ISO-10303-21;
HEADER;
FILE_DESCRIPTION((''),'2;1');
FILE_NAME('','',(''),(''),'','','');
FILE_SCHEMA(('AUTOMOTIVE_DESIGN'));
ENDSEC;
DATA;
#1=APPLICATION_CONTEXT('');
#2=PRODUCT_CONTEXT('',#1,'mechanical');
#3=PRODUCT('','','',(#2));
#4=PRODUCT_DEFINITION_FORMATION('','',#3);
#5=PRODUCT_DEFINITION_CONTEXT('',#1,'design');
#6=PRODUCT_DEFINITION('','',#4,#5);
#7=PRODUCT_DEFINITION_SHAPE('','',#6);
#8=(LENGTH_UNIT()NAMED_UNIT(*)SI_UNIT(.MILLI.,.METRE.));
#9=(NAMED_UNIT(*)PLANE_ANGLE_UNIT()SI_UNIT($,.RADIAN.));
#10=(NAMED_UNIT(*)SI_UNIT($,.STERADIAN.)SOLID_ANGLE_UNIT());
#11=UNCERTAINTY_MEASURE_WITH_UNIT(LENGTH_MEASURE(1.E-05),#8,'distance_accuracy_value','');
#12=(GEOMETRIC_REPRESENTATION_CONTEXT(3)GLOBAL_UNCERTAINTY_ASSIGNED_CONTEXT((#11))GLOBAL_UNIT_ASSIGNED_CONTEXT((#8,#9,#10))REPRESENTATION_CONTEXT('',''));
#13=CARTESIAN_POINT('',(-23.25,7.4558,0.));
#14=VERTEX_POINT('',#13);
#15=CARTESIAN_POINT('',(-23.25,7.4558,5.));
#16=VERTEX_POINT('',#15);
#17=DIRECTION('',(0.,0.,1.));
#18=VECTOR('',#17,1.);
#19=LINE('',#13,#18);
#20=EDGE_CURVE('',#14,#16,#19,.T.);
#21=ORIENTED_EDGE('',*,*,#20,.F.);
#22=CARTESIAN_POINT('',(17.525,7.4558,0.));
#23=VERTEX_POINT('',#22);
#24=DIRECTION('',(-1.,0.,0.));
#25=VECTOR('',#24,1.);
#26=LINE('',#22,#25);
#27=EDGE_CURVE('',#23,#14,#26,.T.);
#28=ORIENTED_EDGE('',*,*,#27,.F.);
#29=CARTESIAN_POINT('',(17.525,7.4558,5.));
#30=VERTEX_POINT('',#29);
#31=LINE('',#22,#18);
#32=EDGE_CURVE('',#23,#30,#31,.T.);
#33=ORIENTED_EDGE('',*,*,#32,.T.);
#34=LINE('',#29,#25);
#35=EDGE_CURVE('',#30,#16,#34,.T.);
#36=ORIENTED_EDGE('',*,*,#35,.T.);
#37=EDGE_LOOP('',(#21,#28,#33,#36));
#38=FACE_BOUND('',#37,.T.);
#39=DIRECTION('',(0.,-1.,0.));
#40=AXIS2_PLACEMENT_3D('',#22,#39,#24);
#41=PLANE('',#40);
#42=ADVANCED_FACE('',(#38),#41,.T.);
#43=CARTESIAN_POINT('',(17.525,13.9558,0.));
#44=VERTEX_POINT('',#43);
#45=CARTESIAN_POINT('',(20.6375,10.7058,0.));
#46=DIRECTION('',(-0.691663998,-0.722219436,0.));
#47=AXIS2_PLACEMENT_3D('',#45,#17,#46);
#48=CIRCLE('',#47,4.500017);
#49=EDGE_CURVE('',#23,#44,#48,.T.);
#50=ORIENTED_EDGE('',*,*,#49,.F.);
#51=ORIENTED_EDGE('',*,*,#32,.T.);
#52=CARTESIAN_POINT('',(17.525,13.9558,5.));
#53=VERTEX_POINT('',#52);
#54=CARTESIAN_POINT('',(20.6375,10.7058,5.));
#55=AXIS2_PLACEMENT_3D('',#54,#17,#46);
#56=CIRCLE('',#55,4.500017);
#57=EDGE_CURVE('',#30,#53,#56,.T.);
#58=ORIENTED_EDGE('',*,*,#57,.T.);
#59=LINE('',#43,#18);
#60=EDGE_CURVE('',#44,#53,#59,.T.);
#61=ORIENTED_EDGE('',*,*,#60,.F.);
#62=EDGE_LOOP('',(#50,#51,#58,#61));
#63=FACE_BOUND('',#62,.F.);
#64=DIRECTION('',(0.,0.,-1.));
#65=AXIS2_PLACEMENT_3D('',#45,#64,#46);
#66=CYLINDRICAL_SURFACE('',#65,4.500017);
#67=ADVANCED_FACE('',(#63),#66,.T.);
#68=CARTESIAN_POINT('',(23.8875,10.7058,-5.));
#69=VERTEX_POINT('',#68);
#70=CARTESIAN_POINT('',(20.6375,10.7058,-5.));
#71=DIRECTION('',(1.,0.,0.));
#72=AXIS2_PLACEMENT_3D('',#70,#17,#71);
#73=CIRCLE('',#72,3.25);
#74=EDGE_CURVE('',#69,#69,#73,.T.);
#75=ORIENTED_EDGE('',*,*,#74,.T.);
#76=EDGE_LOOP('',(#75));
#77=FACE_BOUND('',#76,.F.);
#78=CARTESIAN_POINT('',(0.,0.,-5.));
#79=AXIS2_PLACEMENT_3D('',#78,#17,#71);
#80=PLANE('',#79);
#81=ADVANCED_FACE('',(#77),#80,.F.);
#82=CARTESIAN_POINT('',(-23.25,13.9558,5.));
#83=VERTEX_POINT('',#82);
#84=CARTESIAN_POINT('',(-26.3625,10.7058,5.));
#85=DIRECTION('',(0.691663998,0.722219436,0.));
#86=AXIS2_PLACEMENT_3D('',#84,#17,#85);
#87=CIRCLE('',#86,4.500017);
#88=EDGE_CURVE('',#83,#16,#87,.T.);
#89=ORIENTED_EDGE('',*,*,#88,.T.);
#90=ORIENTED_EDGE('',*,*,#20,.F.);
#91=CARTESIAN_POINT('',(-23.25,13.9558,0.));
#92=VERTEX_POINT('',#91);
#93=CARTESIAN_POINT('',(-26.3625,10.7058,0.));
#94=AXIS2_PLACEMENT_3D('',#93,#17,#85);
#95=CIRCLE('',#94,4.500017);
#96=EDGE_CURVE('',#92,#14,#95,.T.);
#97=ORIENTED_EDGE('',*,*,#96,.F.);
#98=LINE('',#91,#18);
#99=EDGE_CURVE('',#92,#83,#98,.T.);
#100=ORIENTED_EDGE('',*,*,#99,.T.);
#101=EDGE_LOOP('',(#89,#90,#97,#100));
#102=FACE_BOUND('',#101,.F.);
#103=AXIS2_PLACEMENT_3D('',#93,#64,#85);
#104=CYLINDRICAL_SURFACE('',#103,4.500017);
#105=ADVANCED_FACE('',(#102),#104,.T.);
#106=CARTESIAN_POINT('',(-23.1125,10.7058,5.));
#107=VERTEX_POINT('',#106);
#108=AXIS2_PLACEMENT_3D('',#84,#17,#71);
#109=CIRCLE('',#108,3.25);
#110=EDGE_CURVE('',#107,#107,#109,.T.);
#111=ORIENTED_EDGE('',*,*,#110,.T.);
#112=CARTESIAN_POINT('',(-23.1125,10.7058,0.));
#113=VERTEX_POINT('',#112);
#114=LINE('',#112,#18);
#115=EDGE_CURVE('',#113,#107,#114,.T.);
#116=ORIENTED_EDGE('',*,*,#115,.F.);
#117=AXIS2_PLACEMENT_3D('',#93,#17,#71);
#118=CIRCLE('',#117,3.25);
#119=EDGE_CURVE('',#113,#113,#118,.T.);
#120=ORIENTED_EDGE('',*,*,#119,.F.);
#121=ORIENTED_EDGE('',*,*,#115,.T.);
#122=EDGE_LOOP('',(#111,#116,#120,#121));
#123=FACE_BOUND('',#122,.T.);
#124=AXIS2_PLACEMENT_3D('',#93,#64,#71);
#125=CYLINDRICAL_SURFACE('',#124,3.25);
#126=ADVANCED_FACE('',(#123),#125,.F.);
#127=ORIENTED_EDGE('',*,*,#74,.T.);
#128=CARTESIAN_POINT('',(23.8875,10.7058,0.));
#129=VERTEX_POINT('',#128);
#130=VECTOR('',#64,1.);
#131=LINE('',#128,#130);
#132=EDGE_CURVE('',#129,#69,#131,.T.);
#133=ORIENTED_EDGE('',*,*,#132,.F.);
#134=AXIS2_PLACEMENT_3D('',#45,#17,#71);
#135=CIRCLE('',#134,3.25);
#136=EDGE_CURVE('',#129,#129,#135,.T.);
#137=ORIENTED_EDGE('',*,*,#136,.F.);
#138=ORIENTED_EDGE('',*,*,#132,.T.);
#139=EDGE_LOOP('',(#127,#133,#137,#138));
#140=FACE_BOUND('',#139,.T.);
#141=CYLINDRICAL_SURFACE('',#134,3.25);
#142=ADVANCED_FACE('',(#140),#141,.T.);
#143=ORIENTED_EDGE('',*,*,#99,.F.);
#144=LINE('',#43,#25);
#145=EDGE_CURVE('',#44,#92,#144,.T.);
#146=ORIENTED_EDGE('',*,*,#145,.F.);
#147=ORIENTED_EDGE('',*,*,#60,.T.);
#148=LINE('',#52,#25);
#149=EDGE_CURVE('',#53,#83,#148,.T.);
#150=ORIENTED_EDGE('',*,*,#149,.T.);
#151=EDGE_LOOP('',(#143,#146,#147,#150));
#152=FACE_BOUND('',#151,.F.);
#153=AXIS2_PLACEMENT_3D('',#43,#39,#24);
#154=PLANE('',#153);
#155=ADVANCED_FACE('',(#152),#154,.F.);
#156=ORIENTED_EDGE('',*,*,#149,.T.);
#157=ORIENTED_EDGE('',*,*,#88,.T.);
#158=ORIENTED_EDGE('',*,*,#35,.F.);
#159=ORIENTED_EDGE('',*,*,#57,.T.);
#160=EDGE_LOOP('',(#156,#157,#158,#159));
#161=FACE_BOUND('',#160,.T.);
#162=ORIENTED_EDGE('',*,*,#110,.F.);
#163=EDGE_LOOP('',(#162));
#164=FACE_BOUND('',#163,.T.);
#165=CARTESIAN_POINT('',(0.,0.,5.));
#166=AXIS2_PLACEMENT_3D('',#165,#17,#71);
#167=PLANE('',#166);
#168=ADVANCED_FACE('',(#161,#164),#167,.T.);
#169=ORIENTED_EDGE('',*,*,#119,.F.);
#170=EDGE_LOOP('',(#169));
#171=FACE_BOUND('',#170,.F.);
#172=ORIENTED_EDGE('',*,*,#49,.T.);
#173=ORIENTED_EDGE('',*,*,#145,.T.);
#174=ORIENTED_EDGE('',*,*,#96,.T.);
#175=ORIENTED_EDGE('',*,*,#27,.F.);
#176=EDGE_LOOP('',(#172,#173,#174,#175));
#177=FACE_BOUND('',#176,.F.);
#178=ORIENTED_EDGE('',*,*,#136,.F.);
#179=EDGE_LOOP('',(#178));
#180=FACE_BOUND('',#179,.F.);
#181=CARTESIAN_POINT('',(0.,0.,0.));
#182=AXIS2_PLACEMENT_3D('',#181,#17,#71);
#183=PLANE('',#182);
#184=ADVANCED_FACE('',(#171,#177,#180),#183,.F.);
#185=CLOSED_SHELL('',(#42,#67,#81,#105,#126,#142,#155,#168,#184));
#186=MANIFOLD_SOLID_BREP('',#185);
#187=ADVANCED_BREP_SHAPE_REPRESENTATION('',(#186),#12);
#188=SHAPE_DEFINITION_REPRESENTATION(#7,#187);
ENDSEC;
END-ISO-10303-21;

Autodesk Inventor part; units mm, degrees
ref_plane "YZ Plane" through (0, 0, 0) normal (1, 0, 0) x (0, 1, 0)
ref_plane "XZ Plane" through (0, 0, 0) normal (0, 1, 0) x (-1, 0, 0)
ref_plane "XY Plane" through (0, 0, 0) normal (0, 0, 1) x (1, 0, 0)
sketch "Sketch2" plane through (0, 0, 0) normal (0, 0, 1) x (1, 0, 0)
  circle A0 centre (-26.3625, 10.7058) radius 3.25
  circle A1 centre (20.6375, 10.7058) radius 3.25
  arc A2 (17.525, 7.4558) -> (17.525, 13.9558) centre (20.6375, 10.7058) ccw
  line L0 (17.525, 13.9558) -> (-23.25, 13.9558)
  arc A3 (-23.25, 13.9558) -> (-23.25, 7.4558) centre (-26.3625, 10.7058) ccw
  line L1 (-33.5959, 10.7058) -> (33.9179, 10.7058) construction
  line L2 (17.525, 7.4558) -> (-23.25, 7.4558)
  dimension "d4" = 47
  dimension "d8" = 6.5
  dimension "d10" = 9
  dimension "d11" = 6.5
extrude "Extrusion1" add sketch "Sketch2" along normal blind 5 contours A1 | L2 A3 L0 A2
extrude "Extrusion2" add sketch "Sketch2" against normal blind 5 contours A1
equation "\"d8\" = R"
equation "\"d10\" = R1"
equation "\"d11\" = width"
equation "\"d0\" = thickness"
equation "\"d2\" = thickness"
equation "\"R\" = 6.5"
equation "\"thickness\" = 5"
equation "\"d6\" = 35"
equation "\"width\" = 6.5"
equation "\"R1\" = 9"
